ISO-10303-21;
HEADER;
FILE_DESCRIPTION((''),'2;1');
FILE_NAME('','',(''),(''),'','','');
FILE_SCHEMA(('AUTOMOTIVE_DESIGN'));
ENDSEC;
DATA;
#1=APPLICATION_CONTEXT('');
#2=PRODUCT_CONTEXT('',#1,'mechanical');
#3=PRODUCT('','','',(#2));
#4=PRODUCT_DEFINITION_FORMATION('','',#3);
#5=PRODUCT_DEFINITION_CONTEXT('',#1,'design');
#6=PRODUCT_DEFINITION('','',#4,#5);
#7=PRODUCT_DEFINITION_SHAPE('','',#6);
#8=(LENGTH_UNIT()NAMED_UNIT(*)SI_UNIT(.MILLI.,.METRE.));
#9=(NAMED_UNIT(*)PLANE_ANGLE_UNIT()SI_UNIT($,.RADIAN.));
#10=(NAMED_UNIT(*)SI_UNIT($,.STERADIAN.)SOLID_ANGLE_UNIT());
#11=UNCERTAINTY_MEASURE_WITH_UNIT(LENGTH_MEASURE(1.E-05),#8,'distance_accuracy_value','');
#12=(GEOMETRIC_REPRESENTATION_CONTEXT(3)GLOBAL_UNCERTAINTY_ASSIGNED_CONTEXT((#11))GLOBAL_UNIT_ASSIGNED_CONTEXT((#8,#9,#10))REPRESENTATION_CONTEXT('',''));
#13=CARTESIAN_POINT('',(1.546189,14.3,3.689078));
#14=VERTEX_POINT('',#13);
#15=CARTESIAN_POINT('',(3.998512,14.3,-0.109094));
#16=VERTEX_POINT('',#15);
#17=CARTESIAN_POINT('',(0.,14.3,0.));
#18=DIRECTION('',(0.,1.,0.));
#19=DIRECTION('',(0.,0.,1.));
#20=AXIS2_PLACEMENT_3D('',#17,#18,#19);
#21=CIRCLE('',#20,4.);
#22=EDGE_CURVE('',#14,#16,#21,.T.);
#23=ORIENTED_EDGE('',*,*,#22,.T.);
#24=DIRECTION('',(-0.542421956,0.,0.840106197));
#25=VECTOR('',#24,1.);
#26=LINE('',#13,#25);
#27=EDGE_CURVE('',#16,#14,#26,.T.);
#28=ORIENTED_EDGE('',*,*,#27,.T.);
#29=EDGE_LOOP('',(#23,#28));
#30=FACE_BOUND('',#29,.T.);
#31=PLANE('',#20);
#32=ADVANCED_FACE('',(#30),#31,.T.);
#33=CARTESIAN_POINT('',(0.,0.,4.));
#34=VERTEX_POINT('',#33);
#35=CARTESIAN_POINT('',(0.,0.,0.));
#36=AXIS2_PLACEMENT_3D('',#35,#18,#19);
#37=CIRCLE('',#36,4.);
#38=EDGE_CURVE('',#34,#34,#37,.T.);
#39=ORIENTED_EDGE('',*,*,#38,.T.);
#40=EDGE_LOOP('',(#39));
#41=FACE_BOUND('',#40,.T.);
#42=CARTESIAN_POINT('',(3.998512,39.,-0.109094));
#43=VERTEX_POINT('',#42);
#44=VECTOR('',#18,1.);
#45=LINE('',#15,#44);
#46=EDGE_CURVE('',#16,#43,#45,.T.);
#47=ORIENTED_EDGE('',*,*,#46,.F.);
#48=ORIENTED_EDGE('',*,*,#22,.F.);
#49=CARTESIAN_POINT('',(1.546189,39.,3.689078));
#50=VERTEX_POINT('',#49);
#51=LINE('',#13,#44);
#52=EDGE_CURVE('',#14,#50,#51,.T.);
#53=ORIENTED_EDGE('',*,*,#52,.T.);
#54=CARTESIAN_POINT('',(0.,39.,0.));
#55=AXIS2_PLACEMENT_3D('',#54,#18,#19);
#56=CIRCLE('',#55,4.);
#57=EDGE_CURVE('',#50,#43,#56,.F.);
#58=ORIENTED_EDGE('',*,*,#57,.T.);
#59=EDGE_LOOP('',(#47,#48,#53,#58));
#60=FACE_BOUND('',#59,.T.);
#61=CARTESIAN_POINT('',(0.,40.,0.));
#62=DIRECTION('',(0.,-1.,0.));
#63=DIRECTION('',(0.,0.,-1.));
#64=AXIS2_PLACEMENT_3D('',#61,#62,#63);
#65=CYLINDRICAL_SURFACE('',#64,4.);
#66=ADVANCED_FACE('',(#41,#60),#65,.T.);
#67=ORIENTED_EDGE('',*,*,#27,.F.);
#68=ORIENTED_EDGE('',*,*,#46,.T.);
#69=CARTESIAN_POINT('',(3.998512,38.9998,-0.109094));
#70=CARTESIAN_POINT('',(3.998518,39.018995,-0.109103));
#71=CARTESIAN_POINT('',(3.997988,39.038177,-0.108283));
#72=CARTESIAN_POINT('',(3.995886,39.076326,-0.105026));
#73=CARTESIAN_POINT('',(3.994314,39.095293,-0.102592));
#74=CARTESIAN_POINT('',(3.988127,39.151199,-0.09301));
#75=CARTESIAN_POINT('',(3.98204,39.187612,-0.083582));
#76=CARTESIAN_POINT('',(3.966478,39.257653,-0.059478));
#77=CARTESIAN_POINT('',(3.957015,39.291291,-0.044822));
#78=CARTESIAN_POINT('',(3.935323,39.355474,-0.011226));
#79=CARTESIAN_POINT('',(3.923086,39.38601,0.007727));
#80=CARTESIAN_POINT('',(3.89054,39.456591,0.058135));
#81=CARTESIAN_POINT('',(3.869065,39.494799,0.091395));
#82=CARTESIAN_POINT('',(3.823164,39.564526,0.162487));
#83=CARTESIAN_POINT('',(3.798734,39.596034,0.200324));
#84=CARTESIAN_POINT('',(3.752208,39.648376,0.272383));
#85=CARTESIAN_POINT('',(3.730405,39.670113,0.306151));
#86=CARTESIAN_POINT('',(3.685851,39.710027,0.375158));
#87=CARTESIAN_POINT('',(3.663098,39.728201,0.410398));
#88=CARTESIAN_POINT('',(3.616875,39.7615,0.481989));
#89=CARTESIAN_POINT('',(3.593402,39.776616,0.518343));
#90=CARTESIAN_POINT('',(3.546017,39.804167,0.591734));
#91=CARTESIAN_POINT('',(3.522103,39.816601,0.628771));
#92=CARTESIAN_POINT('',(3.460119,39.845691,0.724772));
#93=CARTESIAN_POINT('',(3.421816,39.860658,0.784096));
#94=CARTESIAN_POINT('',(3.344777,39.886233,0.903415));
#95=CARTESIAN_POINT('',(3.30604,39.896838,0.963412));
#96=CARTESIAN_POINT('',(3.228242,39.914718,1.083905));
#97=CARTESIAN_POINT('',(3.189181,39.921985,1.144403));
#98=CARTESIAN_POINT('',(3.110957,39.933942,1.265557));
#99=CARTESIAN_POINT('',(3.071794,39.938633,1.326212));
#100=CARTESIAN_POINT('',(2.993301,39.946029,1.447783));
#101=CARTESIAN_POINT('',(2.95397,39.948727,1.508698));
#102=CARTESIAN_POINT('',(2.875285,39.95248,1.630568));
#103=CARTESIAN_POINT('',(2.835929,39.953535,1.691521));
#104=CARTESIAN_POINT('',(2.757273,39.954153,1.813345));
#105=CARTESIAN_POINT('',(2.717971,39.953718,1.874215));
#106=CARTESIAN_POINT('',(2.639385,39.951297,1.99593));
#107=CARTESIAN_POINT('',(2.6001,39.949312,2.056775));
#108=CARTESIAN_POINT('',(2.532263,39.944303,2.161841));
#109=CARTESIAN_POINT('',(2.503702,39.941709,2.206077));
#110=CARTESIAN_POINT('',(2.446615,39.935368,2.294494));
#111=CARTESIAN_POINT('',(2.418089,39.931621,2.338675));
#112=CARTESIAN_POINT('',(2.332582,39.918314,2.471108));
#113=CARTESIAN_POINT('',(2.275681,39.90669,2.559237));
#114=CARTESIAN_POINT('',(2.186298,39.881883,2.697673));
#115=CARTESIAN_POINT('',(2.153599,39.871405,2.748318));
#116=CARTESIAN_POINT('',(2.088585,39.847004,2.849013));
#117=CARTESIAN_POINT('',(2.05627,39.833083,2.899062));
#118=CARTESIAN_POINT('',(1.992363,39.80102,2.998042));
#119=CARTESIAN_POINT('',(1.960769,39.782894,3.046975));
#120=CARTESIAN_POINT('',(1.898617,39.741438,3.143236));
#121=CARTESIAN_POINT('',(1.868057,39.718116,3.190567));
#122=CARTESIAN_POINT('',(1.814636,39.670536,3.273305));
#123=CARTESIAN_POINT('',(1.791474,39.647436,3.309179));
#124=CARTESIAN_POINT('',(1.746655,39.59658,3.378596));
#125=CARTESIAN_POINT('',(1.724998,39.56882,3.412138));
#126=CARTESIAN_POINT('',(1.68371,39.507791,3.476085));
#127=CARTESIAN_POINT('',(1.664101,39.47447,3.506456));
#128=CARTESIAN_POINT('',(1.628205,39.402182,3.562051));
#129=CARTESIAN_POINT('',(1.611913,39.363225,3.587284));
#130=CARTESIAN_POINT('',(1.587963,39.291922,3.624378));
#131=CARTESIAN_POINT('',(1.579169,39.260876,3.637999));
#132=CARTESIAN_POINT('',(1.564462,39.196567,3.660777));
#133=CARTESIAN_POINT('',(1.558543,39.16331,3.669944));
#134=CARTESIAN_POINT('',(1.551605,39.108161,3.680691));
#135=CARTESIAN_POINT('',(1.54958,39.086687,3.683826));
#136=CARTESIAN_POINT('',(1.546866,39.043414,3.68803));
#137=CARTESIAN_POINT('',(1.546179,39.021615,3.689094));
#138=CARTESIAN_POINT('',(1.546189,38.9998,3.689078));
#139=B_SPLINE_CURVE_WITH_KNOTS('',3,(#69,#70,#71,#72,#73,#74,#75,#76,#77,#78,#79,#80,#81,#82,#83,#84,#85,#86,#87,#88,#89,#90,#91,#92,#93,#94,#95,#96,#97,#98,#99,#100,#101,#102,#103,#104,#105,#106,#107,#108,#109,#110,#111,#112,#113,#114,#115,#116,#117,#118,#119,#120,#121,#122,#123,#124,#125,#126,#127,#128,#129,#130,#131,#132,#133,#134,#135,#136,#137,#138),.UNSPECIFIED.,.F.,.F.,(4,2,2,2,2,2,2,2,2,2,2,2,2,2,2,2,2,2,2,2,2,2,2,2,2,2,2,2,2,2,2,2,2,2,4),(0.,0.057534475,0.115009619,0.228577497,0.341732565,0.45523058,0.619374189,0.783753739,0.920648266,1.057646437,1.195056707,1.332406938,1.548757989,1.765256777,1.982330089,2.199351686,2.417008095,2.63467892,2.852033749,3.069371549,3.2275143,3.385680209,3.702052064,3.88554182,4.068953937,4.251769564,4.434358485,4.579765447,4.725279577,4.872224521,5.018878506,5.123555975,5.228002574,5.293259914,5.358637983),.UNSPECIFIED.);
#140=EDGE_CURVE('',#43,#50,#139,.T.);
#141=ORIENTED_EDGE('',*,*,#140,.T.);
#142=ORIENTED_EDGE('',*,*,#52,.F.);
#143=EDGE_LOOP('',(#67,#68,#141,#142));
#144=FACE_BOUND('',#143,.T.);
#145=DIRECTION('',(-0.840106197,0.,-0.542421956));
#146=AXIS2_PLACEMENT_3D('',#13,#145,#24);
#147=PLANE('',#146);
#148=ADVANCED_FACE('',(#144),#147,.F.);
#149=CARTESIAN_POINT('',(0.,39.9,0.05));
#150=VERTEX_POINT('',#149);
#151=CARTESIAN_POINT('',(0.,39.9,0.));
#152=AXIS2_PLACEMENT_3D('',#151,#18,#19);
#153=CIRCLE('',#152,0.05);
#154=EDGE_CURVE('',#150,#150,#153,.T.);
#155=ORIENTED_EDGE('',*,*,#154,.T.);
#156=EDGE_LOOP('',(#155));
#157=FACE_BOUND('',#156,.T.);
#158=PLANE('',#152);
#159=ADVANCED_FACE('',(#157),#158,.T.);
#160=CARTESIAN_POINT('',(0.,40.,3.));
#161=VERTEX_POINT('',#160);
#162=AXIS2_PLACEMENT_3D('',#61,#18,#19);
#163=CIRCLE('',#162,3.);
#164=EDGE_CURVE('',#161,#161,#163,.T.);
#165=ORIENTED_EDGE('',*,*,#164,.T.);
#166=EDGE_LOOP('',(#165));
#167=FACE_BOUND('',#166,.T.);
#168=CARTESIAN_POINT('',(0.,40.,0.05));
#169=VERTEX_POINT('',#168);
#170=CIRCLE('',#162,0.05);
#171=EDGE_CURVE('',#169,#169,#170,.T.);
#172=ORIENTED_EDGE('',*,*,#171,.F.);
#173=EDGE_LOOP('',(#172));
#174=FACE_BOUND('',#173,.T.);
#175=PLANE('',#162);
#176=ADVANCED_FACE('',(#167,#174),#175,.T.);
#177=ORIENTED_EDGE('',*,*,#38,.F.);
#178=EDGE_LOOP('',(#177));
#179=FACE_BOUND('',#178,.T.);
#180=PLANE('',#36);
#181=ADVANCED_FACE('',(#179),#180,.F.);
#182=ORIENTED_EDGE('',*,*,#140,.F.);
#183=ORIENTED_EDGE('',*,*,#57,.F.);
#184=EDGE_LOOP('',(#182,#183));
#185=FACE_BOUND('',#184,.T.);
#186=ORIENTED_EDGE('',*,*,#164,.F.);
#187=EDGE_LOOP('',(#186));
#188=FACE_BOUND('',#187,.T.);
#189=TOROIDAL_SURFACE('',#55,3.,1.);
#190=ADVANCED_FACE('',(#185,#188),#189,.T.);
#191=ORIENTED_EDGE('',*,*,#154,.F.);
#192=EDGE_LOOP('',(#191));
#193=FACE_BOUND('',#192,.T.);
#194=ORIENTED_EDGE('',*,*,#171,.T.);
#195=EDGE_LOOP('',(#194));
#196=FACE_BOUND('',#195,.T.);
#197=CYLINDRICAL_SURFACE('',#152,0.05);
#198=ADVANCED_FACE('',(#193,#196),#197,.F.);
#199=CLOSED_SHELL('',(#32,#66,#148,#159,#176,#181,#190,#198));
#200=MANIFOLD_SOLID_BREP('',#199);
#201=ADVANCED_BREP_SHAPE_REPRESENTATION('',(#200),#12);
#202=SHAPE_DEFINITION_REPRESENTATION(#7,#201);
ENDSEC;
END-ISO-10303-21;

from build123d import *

# Parameters (mm, degrees)
SKETCH1_R           = 4
BOSS_EXTRUDE1_DEPTH = 40
FILLET1_R           = 1
CUT_EXTRUDE1_START  = -25.7
CUT_EXTRUDE1_DEPTH  = 25.7
SKETCH3_R           = 0.05
CUT_EXTRUDE2_DEPTH  = 0.1


with BuildPart() as part:
    # Sketch1 → Boss-Extrude1 (new body)
    with BuildSketch(Plane(origin=(0, 0, 0), x_dir=(1, 0, 0), z_dir=(0, 1, 0))):
        with Locations(Location((0, 0, 0), (0, 0, 270))):
            Circle(SKETCH1_R)
    extrude(amount=BOSS_EXTRUDE1_DEPTH)

    # Fillet1
    fillet1_edges = [part.edges().sort_by_distance(p)[0] for p in [
        (0, 40, -4),
    ]]
    fillet(fillet1_edges, radius=FILLET1_R)

    # Sketch2 → Cut-Extrude1 (cut)
    with BuildSketch(Plane(origin=(0, 40, 0), x_dir=(1, 0, 0), z_dir=(0, 1, 0)).offset(CUT_EXTRUDE1_START)):
        with BuildLine():
            Line((1.546188852, -3.68907848), (3.998512047, 0.109093573))
            ThreePointArc((3.998512047, 0.109093573), (3.360424787, -2.169687823), (1.546188852, -3.68907848))
        make_face()
    extrude(amount=CUT_EXTRUDE1_DEPTH, mode=Mode.SUBTRACT)

    # Sketch3 → Cut-Extrude2 (cut)
    with BuildSketch(Plane(origin=(0, 40, 0), x_dir=(1, 0, 0), z_dir=(0, 1, 0))):
        with Locations(Location((0, 0, 0), (0, 0, 270))):
            Circle(SKETCH3_R)
    extrude(amount=-CUT_EXTRUDE2_DEPTH, mode=Mode.SUBTRACT)


solid = part.part
